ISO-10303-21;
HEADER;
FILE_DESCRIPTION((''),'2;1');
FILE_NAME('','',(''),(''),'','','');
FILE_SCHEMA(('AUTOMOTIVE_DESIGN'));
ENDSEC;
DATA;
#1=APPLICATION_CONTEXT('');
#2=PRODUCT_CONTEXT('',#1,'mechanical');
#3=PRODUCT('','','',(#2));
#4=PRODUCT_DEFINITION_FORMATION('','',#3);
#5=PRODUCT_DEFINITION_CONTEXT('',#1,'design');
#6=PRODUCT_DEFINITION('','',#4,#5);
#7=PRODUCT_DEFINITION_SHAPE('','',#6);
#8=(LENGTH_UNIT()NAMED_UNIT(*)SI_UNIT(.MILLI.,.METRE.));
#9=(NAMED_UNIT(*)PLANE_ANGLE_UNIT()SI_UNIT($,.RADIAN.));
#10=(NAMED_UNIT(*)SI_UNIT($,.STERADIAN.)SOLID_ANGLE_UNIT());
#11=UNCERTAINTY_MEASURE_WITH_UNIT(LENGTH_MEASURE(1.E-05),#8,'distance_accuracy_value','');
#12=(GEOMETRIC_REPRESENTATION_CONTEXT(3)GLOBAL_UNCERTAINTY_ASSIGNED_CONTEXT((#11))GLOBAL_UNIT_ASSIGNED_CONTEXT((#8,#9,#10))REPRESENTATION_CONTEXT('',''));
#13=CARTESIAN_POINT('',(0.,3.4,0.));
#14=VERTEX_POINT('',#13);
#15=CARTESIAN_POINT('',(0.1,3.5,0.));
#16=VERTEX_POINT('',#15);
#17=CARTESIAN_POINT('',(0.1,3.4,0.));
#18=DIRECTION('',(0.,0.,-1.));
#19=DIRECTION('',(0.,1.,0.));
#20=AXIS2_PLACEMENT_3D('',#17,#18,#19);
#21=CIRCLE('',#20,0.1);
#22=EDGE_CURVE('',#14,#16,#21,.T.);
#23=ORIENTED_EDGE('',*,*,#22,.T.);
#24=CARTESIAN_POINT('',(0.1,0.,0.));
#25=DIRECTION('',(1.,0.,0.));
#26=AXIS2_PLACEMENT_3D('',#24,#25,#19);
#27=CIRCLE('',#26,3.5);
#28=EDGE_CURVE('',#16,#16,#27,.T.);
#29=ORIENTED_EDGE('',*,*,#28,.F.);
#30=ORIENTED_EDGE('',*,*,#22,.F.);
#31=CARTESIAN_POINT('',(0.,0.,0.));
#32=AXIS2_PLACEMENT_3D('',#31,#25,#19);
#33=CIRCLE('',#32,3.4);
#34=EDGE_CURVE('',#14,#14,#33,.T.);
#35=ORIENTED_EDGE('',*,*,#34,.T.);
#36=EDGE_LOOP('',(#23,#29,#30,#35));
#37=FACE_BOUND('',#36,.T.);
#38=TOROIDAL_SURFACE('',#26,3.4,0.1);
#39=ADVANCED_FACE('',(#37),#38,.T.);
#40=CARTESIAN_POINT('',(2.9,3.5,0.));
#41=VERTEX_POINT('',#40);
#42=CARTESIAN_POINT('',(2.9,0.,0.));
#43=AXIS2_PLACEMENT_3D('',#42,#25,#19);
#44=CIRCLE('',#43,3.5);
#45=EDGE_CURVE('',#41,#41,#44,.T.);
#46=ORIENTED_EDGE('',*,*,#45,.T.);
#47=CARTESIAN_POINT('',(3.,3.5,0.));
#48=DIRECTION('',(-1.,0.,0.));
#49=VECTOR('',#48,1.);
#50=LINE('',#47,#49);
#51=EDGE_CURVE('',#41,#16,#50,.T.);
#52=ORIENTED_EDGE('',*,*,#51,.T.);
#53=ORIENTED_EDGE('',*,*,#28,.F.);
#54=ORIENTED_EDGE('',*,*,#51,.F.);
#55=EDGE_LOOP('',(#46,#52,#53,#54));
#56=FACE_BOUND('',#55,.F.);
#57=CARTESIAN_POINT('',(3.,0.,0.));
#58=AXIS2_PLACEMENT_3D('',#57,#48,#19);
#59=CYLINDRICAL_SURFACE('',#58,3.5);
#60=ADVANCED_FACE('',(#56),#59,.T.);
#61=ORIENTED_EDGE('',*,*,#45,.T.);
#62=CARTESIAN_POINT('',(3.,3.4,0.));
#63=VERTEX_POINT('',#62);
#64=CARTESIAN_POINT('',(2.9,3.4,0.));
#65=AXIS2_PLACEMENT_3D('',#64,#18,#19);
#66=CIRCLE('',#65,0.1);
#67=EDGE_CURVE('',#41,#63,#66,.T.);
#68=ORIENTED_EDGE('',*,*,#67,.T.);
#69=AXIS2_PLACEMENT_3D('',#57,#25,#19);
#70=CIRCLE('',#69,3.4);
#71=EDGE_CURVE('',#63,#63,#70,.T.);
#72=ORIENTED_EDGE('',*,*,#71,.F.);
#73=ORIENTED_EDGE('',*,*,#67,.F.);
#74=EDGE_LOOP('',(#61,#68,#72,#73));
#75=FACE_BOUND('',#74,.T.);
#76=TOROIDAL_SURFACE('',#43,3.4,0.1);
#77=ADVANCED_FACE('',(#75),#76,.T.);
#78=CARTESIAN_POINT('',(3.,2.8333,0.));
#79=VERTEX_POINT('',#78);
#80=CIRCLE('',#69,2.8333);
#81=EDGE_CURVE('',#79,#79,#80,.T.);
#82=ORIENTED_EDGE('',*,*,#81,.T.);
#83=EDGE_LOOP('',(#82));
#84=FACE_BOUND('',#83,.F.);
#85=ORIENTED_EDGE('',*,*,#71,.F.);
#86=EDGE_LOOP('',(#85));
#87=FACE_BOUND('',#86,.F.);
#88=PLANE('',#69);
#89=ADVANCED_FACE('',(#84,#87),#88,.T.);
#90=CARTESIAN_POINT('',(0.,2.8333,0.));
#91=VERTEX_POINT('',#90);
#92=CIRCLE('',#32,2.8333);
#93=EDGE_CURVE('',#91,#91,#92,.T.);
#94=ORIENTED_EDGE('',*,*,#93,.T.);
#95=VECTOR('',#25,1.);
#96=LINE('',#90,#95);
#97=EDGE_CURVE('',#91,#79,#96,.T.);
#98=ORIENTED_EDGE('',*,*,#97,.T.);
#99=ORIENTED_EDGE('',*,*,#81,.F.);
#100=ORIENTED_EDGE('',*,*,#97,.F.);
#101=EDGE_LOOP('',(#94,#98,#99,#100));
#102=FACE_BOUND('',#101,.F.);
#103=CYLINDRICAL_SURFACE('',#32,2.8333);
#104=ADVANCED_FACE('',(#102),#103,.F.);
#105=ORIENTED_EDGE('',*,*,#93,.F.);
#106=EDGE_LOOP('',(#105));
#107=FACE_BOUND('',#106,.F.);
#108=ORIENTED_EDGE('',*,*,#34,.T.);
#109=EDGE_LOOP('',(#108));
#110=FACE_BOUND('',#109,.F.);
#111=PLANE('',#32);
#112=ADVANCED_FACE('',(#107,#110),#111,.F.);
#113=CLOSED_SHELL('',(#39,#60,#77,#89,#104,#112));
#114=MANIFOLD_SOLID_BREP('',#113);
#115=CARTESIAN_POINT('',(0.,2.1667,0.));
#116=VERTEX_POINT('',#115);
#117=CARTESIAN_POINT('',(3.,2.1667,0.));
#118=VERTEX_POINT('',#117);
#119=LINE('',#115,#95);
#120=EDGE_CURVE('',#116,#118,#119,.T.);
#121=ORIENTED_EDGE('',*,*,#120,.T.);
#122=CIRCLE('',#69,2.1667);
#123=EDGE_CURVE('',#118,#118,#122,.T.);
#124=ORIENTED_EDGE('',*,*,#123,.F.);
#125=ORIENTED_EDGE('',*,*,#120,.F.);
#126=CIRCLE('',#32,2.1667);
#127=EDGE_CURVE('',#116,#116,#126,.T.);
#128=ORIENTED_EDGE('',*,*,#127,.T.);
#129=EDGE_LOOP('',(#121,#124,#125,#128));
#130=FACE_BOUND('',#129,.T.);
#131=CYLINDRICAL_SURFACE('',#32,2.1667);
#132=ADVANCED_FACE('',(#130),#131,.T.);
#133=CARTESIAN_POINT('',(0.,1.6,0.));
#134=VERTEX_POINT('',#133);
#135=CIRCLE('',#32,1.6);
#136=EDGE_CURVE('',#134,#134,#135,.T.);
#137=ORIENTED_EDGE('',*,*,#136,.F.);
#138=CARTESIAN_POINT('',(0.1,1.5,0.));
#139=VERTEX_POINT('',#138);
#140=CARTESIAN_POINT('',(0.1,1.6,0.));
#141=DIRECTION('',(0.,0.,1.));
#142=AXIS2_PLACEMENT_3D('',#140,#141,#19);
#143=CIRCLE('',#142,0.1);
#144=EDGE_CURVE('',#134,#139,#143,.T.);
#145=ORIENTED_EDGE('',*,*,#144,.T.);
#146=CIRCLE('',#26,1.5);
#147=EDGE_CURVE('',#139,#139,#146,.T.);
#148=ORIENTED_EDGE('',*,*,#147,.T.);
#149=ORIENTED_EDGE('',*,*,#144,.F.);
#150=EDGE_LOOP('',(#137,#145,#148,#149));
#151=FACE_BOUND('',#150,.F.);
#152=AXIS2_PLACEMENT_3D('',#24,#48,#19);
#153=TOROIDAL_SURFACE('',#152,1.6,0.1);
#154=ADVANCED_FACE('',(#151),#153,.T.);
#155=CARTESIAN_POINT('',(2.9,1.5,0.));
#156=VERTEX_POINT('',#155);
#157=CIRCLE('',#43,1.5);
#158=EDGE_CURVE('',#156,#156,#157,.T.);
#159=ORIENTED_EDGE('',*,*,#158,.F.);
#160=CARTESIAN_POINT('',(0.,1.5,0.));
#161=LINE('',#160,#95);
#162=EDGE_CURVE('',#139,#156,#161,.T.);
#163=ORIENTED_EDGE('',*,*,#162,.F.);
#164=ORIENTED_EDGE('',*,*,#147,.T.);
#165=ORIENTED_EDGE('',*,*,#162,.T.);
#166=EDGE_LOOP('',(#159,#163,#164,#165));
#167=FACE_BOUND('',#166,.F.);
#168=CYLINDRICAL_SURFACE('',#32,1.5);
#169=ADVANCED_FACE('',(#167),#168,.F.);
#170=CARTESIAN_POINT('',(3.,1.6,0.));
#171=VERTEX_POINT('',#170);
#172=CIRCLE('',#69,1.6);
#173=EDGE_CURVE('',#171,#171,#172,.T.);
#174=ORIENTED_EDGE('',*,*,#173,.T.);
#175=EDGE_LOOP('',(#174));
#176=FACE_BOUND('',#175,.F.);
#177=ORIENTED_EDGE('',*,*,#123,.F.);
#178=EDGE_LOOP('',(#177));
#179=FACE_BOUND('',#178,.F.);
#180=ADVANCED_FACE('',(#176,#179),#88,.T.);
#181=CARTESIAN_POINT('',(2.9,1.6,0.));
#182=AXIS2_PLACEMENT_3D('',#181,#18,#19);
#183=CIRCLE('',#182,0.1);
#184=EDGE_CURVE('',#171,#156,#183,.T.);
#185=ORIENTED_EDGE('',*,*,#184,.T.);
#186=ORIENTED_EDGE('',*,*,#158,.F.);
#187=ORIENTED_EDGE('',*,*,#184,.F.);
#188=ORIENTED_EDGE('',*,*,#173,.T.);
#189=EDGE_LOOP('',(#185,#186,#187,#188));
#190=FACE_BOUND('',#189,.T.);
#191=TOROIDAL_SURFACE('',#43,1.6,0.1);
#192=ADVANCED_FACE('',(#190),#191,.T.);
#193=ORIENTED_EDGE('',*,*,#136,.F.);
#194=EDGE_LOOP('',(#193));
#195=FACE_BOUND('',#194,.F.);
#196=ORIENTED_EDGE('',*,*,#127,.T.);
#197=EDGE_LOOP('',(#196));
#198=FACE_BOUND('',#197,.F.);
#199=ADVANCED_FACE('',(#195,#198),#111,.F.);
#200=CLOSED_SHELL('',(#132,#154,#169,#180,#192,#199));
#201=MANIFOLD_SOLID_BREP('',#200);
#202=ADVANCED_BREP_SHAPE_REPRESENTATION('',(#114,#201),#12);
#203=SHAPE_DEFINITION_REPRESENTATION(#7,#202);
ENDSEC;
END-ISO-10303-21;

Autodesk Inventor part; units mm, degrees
ref_plane "YZ Plane" through (0, 0, 0) normal (1, 0, 0) x (0, 1, 0)
ref_plane "XZ Plane" through (0, 0, 0) normal (0, 1, 0) x (-1, 0, 0)
ref_plane "XY Plane" through (0, 0, 0) normal (0, 0, 1) x (1, 0, 0)
sketch "草图" plane through (0, 0, 0) normal (0, 0, 1) x (1, 0, 0)
  line L0 (0, 0) -> (3, 0)
  line L1 (0, 0) -> (0, 1.5) construction
  line L2 (0, 1.5) -> (3, 1.5)
  line L3 (3, 1.5) -> (3, 3.5)
  line L4 (3, 3.5) -> (0, 3.5)
  line L5 (0, 3.5) -> (0, 1.5)
  line L6 (0, 2.5) -> (3, 2.5)
  line L7 (0, 2.8333) -> (3, 2.8333)
  line L8 (0, 2.1667) -> (3, 2.1667)
  dimension "d0" = 3
  dimension "d1" = 3
  dimension "d2" = 4.3333
  dimension "d3" = 7
revolve "轴承体" add sketch "草图" angle 360 about axis through (0, 0, 0) along (1, 0, 0) contours L5 L8 L3 L2 | L5 L4 L3 L7
fillet "圆角1" radius 0.1 4 edges at (0, -3.5, 0) (3, -3.5, 0) (0, -1.5, 0) (3, -1.5, 0)
equation "\"d0\" = KB"
equation "\"d1\" = WD"
equation "\"d2\" = 0.333333 * BD + 0.666667 * WD"
equation "\"d3\" = BD"
equation "\"d5\" = -0.025 * WD + 0.025 * BD"
equation "\"WD\" = 3"
equation "\"BD\" = 7"
equation "\"KB\" = 3"
equation "\"BBA\" = 0"
equation "\"KRS\" = 0.1"
equation "\"KR1S\" = 0.05"
equation "\"BR\" = 0.5 * BD"
equation "\"WR\" = 0.5 * WD"
properties part number "ISO 1224 - 38 3 x  7 x  3" material "钢，软"
